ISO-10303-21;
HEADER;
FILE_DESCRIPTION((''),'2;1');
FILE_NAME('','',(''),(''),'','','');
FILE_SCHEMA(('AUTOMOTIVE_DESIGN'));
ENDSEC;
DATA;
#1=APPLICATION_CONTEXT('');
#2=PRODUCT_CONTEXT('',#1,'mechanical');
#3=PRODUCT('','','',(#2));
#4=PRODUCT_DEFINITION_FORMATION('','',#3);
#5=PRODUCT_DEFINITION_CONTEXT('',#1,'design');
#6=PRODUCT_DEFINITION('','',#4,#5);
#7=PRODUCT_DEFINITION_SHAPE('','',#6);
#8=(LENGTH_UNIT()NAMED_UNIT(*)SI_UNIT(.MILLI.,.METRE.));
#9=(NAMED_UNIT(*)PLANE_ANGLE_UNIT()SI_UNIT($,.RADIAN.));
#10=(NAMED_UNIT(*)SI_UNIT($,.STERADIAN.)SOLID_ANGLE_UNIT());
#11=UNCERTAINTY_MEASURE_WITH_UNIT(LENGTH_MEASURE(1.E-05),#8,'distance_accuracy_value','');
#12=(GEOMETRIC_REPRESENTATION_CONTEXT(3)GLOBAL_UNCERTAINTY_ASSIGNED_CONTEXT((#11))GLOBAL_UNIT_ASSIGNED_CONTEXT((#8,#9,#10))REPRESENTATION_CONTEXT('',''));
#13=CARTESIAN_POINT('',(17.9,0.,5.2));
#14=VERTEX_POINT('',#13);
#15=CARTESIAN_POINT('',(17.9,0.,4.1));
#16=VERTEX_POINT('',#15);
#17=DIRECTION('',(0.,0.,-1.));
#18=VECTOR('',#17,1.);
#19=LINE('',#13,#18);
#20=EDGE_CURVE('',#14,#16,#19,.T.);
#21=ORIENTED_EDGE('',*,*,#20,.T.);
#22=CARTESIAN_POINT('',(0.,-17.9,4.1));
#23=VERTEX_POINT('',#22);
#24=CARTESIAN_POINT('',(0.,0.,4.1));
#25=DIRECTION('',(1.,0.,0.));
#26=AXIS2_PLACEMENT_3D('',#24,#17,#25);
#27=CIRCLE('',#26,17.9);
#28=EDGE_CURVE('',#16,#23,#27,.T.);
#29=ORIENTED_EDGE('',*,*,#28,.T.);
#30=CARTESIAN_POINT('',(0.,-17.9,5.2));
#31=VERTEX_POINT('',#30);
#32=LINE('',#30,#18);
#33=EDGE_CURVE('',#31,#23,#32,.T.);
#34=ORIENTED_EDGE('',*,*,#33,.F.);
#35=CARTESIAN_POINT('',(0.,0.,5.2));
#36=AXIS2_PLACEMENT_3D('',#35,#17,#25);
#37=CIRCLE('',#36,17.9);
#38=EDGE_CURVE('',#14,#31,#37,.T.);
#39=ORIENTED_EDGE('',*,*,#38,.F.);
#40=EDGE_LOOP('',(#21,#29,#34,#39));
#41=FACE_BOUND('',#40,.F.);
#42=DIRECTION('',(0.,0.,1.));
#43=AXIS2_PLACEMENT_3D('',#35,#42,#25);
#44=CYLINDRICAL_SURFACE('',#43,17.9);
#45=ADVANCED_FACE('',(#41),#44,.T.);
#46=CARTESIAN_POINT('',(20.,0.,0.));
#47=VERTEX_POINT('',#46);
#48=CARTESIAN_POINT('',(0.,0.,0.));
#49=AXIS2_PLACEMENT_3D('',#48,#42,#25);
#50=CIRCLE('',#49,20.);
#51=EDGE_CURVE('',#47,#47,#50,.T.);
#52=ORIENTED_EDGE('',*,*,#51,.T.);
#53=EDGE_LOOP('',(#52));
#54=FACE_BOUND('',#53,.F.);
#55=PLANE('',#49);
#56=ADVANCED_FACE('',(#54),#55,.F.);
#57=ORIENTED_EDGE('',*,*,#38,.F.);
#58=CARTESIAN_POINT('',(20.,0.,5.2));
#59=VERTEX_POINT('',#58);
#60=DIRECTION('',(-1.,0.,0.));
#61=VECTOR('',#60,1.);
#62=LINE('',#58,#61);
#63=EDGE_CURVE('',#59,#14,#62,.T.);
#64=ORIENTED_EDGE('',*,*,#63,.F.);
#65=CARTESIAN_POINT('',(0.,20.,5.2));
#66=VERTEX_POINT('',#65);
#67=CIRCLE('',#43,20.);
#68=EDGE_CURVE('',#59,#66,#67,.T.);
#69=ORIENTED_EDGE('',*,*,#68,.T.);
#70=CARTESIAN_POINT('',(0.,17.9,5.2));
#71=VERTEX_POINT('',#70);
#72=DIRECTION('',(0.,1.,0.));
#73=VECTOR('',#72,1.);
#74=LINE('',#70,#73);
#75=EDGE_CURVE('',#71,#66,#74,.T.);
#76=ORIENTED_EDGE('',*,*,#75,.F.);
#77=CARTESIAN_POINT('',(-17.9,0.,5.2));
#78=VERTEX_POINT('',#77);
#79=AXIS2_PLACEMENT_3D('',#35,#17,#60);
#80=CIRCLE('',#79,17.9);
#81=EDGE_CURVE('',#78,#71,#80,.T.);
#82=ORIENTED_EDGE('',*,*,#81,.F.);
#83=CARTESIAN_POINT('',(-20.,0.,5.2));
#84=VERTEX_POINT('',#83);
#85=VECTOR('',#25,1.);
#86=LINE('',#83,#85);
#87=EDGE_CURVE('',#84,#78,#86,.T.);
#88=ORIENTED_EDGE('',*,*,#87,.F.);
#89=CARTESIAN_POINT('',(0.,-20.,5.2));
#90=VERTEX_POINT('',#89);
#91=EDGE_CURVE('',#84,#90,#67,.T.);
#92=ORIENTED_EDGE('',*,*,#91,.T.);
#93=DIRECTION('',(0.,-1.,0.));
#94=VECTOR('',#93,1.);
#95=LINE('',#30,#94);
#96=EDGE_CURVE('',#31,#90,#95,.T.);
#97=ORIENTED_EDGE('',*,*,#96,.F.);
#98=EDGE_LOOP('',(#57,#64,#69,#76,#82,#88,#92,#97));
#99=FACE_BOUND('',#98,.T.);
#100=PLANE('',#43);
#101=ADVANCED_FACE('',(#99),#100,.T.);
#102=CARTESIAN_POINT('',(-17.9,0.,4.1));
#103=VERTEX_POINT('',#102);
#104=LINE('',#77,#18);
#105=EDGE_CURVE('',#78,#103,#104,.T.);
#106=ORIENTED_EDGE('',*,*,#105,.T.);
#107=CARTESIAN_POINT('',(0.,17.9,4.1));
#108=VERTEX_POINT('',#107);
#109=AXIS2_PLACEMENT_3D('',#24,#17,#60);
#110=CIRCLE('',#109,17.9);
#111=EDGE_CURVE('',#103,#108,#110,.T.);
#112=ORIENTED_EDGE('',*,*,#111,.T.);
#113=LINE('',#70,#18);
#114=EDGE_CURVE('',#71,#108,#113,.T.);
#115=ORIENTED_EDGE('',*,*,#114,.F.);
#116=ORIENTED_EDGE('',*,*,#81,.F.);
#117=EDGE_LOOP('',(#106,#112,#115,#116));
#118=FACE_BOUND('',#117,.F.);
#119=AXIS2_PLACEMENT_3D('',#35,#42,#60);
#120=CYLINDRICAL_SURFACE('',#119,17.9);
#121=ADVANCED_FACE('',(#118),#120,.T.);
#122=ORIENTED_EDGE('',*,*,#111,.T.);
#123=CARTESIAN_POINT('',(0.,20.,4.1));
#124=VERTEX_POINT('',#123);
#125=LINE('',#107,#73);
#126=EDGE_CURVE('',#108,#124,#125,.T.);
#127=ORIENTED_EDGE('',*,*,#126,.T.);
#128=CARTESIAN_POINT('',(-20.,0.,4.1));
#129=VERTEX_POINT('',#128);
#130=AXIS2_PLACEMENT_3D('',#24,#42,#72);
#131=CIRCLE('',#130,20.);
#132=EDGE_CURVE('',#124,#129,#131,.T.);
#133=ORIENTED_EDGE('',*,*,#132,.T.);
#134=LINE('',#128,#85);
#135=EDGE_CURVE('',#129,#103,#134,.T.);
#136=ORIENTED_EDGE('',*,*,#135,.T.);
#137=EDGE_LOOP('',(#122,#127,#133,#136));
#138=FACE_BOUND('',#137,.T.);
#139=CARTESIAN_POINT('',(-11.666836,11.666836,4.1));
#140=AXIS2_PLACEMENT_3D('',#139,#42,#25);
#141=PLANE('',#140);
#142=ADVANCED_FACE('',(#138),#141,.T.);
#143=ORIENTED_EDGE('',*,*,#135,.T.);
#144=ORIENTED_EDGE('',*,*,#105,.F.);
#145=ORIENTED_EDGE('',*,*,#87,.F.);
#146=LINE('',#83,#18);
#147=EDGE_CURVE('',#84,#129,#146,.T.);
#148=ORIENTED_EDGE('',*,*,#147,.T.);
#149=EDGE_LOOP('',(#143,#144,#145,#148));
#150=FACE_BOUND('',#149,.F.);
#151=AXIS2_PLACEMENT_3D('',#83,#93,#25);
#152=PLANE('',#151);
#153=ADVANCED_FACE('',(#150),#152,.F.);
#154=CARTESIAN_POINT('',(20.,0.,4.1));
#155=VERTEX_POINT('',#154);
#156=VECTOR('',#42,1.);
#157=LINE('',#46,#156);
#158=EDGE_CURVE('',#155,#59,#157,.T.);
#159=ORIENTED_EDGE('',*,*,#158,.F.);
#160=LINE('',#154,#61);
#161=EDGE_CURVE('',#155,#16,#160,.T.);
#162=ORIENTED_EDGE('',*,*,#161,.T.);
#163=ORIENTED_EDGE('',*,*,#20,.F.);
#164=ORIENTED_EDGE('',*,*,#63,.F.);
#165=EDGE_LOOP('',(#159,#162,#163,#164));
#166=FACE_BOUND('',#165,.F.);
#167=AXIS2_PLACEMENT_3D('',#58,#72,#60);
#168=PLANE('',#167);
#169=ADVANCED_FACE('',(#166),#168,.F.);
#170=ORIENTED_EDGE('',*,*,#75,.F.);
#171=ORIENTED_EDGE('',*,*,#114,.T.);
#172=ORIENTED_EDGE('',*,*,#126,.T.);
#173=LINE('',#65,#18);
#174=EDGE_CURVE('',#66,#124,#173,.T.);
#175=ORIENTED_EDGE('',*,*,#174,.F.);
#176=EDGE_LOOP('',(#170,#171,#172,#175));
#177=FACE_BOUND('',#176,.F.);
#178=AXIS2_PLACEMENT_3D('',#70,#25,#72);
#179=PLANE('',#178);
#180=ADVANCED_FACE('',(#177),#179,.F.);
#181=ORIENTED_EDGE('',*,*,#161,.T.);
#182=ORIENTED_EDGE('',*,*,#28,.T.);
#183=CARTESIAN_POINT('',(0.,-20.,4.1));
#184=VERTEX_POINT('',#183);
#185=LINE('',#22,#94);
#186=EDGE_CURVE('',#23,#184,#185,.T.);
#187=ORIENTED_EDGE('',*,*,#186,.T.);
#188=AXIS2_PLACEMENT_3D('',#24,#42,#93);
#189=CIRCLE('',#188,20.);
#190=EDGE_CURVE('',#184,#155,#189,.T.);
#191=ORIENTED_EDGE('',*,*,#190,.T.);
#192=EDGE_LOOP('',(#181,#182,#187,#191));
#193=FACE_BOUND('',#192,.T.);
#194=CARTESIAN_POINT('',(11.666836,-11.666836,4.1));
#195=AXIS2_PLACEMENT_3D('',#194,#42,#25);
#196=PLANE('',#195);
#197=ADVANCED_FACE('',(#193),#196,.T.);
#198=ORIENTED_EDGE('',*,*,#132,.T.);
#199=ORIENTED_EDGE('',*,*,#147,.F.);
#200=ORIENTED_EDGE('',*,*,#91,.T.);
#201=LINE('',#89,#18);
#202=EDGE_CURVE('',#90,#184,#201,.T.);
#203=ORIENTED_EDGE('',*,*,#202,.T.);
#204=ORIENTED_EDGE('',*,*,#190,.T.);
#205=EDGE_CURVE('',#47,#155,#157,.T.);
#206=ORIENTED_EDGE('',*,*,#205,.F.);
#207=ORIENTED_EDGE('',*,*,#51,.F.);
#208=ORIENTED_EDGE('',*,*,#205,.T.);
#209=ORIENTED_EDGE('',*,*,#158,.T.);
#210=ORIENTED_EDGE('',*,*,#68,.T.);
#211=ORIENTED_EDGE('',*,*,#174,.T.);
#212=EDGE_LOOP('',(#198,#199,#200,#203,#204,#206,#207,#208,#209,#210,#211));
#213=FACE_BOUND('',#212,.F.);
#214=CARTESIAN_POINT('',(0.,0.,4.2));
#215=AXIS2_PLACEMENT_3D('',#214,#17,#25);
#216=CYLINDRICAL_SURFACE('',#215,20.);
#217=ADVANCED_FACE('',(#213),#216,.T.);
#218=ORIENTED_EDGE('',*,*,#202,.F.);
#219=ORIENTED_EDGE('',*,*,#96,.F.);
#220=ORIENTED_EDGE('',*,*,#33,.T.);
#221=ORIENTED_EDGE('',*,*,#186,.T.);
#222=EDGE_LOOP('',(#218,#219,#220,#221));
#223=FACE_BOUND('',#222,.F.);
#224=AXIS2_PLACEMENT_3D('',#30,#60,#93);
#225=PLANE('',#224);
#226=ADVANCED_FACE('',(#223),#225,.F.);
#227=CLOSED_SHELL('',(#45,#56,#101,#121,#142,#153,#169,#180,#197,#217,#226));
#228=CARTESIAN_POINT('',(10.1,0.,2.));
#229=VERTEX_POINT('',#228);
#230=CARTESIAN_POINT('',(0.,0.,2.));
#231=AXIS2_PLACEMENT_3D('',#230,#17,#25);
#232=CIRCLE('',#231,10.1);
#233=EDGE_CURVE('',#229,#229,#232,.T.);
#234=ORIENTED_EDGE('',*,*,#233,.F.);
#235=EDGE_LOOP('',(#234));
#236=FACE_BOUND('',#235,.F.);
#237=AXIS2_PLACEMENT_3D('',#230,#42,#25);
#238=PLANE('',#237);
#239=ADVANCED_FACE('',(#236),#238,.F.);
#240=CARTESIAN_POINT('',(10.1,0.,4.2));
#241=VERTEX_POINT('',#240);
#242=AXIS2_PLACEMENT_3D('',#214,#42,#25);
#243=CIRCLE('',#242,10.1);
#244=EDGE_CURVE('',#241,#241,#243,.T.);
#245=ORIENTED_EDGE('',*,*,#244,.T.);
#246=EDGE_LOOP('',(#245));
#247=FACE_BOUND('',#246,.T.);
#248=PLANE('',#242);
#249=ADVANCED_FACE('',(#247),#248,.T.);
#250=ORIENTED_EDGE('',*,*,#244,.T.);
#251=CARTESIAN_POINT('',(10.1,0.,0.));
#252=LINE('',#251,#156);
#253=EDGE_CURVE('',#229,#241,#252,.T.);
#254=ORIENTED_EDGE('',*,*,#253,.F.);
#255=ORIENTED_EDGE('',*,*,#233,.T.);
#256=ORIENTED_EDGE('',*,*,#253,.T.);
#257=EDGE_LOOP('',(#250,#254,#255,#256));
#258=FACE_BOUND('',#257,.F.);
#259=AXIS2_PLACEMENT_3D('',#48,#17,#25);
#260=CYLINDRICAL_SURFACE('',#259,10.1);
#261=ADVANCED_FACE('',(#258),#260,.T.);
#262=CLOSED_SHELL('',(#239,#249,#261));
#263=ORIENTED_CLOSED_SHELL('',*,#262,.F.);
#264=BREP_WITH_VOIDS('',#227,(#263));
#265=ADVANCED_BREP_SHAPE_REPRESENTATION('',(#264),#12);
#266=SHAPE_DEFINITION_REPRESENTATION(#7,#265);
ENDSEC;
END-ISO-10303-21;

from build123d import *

# Parameters (mm, degrees)
F0_R     = 20
F0_R_2   = 10.1
F1_DEPTH = 2
F2_DEPTH = 4.2
F3_R     = 20
F3_R_2   = 10.1
F4_DEPTH = 1
F6_DEPTH = 1.1


with BuildPart() as f1:
    # F0 (on Top) → F1 (new body)
    with BuildSketch(Plane.XY):
        Circle(F0_R)
        Circle(F0_R_2, mode=Mode.SUBTRACT)
        Circle(F0_R_2)
    extrude(amount=F1_DEPTH)

    # F0 (on Top) → F2 (join)
    with BuildSketch(Plane.XY):
        Circle(F0_R)
        Circle(F0_R_2, mode=Mode.SUBTRACT)
    extrude(amount=F2_DEPTH)

    # F3 (on face) → F4 (join)
    with BuildSketch(Plane.XY.offset(4.2)):
        Circle(F3_R)
        Circle(F3_R_2, mode=Mode.SUBTRACT)
        Circle(F3_R_2)
    extrude(amount=F4_DEPTH)

    # F5 (on face) → F6 (cut)
    with BuildSketch(Plane.XY.offset(5.2)):
        with BuildLine():
            ThreePointArc((0, 20), (-14.1421356237, 14.1421356237), (-20, 0))
            Line((-20, 0), (-17.9, 0))
            ThreePointArc((-17.9, 0), (-12.6572113832, 12.6572113832), (0, 17.9))
            Line((0, 17.9), (0, 20))
        make_face()
        with BuildLine():
            Line((0, -17.9), (0, -20))
            ThreePointArc((0, -20), (14.1421356237, -14.1421356237), (20, 0))
            Line((20, 0), (17.9, 0))
            ThreePointArc((17.9, 0), (12.6572113832, -12.6572113832), (0, -17.9))
        make_face()
    extrude(amount=-F6_DEPTH, mode=Mode.SUBTRACT)


solid = f1.part
